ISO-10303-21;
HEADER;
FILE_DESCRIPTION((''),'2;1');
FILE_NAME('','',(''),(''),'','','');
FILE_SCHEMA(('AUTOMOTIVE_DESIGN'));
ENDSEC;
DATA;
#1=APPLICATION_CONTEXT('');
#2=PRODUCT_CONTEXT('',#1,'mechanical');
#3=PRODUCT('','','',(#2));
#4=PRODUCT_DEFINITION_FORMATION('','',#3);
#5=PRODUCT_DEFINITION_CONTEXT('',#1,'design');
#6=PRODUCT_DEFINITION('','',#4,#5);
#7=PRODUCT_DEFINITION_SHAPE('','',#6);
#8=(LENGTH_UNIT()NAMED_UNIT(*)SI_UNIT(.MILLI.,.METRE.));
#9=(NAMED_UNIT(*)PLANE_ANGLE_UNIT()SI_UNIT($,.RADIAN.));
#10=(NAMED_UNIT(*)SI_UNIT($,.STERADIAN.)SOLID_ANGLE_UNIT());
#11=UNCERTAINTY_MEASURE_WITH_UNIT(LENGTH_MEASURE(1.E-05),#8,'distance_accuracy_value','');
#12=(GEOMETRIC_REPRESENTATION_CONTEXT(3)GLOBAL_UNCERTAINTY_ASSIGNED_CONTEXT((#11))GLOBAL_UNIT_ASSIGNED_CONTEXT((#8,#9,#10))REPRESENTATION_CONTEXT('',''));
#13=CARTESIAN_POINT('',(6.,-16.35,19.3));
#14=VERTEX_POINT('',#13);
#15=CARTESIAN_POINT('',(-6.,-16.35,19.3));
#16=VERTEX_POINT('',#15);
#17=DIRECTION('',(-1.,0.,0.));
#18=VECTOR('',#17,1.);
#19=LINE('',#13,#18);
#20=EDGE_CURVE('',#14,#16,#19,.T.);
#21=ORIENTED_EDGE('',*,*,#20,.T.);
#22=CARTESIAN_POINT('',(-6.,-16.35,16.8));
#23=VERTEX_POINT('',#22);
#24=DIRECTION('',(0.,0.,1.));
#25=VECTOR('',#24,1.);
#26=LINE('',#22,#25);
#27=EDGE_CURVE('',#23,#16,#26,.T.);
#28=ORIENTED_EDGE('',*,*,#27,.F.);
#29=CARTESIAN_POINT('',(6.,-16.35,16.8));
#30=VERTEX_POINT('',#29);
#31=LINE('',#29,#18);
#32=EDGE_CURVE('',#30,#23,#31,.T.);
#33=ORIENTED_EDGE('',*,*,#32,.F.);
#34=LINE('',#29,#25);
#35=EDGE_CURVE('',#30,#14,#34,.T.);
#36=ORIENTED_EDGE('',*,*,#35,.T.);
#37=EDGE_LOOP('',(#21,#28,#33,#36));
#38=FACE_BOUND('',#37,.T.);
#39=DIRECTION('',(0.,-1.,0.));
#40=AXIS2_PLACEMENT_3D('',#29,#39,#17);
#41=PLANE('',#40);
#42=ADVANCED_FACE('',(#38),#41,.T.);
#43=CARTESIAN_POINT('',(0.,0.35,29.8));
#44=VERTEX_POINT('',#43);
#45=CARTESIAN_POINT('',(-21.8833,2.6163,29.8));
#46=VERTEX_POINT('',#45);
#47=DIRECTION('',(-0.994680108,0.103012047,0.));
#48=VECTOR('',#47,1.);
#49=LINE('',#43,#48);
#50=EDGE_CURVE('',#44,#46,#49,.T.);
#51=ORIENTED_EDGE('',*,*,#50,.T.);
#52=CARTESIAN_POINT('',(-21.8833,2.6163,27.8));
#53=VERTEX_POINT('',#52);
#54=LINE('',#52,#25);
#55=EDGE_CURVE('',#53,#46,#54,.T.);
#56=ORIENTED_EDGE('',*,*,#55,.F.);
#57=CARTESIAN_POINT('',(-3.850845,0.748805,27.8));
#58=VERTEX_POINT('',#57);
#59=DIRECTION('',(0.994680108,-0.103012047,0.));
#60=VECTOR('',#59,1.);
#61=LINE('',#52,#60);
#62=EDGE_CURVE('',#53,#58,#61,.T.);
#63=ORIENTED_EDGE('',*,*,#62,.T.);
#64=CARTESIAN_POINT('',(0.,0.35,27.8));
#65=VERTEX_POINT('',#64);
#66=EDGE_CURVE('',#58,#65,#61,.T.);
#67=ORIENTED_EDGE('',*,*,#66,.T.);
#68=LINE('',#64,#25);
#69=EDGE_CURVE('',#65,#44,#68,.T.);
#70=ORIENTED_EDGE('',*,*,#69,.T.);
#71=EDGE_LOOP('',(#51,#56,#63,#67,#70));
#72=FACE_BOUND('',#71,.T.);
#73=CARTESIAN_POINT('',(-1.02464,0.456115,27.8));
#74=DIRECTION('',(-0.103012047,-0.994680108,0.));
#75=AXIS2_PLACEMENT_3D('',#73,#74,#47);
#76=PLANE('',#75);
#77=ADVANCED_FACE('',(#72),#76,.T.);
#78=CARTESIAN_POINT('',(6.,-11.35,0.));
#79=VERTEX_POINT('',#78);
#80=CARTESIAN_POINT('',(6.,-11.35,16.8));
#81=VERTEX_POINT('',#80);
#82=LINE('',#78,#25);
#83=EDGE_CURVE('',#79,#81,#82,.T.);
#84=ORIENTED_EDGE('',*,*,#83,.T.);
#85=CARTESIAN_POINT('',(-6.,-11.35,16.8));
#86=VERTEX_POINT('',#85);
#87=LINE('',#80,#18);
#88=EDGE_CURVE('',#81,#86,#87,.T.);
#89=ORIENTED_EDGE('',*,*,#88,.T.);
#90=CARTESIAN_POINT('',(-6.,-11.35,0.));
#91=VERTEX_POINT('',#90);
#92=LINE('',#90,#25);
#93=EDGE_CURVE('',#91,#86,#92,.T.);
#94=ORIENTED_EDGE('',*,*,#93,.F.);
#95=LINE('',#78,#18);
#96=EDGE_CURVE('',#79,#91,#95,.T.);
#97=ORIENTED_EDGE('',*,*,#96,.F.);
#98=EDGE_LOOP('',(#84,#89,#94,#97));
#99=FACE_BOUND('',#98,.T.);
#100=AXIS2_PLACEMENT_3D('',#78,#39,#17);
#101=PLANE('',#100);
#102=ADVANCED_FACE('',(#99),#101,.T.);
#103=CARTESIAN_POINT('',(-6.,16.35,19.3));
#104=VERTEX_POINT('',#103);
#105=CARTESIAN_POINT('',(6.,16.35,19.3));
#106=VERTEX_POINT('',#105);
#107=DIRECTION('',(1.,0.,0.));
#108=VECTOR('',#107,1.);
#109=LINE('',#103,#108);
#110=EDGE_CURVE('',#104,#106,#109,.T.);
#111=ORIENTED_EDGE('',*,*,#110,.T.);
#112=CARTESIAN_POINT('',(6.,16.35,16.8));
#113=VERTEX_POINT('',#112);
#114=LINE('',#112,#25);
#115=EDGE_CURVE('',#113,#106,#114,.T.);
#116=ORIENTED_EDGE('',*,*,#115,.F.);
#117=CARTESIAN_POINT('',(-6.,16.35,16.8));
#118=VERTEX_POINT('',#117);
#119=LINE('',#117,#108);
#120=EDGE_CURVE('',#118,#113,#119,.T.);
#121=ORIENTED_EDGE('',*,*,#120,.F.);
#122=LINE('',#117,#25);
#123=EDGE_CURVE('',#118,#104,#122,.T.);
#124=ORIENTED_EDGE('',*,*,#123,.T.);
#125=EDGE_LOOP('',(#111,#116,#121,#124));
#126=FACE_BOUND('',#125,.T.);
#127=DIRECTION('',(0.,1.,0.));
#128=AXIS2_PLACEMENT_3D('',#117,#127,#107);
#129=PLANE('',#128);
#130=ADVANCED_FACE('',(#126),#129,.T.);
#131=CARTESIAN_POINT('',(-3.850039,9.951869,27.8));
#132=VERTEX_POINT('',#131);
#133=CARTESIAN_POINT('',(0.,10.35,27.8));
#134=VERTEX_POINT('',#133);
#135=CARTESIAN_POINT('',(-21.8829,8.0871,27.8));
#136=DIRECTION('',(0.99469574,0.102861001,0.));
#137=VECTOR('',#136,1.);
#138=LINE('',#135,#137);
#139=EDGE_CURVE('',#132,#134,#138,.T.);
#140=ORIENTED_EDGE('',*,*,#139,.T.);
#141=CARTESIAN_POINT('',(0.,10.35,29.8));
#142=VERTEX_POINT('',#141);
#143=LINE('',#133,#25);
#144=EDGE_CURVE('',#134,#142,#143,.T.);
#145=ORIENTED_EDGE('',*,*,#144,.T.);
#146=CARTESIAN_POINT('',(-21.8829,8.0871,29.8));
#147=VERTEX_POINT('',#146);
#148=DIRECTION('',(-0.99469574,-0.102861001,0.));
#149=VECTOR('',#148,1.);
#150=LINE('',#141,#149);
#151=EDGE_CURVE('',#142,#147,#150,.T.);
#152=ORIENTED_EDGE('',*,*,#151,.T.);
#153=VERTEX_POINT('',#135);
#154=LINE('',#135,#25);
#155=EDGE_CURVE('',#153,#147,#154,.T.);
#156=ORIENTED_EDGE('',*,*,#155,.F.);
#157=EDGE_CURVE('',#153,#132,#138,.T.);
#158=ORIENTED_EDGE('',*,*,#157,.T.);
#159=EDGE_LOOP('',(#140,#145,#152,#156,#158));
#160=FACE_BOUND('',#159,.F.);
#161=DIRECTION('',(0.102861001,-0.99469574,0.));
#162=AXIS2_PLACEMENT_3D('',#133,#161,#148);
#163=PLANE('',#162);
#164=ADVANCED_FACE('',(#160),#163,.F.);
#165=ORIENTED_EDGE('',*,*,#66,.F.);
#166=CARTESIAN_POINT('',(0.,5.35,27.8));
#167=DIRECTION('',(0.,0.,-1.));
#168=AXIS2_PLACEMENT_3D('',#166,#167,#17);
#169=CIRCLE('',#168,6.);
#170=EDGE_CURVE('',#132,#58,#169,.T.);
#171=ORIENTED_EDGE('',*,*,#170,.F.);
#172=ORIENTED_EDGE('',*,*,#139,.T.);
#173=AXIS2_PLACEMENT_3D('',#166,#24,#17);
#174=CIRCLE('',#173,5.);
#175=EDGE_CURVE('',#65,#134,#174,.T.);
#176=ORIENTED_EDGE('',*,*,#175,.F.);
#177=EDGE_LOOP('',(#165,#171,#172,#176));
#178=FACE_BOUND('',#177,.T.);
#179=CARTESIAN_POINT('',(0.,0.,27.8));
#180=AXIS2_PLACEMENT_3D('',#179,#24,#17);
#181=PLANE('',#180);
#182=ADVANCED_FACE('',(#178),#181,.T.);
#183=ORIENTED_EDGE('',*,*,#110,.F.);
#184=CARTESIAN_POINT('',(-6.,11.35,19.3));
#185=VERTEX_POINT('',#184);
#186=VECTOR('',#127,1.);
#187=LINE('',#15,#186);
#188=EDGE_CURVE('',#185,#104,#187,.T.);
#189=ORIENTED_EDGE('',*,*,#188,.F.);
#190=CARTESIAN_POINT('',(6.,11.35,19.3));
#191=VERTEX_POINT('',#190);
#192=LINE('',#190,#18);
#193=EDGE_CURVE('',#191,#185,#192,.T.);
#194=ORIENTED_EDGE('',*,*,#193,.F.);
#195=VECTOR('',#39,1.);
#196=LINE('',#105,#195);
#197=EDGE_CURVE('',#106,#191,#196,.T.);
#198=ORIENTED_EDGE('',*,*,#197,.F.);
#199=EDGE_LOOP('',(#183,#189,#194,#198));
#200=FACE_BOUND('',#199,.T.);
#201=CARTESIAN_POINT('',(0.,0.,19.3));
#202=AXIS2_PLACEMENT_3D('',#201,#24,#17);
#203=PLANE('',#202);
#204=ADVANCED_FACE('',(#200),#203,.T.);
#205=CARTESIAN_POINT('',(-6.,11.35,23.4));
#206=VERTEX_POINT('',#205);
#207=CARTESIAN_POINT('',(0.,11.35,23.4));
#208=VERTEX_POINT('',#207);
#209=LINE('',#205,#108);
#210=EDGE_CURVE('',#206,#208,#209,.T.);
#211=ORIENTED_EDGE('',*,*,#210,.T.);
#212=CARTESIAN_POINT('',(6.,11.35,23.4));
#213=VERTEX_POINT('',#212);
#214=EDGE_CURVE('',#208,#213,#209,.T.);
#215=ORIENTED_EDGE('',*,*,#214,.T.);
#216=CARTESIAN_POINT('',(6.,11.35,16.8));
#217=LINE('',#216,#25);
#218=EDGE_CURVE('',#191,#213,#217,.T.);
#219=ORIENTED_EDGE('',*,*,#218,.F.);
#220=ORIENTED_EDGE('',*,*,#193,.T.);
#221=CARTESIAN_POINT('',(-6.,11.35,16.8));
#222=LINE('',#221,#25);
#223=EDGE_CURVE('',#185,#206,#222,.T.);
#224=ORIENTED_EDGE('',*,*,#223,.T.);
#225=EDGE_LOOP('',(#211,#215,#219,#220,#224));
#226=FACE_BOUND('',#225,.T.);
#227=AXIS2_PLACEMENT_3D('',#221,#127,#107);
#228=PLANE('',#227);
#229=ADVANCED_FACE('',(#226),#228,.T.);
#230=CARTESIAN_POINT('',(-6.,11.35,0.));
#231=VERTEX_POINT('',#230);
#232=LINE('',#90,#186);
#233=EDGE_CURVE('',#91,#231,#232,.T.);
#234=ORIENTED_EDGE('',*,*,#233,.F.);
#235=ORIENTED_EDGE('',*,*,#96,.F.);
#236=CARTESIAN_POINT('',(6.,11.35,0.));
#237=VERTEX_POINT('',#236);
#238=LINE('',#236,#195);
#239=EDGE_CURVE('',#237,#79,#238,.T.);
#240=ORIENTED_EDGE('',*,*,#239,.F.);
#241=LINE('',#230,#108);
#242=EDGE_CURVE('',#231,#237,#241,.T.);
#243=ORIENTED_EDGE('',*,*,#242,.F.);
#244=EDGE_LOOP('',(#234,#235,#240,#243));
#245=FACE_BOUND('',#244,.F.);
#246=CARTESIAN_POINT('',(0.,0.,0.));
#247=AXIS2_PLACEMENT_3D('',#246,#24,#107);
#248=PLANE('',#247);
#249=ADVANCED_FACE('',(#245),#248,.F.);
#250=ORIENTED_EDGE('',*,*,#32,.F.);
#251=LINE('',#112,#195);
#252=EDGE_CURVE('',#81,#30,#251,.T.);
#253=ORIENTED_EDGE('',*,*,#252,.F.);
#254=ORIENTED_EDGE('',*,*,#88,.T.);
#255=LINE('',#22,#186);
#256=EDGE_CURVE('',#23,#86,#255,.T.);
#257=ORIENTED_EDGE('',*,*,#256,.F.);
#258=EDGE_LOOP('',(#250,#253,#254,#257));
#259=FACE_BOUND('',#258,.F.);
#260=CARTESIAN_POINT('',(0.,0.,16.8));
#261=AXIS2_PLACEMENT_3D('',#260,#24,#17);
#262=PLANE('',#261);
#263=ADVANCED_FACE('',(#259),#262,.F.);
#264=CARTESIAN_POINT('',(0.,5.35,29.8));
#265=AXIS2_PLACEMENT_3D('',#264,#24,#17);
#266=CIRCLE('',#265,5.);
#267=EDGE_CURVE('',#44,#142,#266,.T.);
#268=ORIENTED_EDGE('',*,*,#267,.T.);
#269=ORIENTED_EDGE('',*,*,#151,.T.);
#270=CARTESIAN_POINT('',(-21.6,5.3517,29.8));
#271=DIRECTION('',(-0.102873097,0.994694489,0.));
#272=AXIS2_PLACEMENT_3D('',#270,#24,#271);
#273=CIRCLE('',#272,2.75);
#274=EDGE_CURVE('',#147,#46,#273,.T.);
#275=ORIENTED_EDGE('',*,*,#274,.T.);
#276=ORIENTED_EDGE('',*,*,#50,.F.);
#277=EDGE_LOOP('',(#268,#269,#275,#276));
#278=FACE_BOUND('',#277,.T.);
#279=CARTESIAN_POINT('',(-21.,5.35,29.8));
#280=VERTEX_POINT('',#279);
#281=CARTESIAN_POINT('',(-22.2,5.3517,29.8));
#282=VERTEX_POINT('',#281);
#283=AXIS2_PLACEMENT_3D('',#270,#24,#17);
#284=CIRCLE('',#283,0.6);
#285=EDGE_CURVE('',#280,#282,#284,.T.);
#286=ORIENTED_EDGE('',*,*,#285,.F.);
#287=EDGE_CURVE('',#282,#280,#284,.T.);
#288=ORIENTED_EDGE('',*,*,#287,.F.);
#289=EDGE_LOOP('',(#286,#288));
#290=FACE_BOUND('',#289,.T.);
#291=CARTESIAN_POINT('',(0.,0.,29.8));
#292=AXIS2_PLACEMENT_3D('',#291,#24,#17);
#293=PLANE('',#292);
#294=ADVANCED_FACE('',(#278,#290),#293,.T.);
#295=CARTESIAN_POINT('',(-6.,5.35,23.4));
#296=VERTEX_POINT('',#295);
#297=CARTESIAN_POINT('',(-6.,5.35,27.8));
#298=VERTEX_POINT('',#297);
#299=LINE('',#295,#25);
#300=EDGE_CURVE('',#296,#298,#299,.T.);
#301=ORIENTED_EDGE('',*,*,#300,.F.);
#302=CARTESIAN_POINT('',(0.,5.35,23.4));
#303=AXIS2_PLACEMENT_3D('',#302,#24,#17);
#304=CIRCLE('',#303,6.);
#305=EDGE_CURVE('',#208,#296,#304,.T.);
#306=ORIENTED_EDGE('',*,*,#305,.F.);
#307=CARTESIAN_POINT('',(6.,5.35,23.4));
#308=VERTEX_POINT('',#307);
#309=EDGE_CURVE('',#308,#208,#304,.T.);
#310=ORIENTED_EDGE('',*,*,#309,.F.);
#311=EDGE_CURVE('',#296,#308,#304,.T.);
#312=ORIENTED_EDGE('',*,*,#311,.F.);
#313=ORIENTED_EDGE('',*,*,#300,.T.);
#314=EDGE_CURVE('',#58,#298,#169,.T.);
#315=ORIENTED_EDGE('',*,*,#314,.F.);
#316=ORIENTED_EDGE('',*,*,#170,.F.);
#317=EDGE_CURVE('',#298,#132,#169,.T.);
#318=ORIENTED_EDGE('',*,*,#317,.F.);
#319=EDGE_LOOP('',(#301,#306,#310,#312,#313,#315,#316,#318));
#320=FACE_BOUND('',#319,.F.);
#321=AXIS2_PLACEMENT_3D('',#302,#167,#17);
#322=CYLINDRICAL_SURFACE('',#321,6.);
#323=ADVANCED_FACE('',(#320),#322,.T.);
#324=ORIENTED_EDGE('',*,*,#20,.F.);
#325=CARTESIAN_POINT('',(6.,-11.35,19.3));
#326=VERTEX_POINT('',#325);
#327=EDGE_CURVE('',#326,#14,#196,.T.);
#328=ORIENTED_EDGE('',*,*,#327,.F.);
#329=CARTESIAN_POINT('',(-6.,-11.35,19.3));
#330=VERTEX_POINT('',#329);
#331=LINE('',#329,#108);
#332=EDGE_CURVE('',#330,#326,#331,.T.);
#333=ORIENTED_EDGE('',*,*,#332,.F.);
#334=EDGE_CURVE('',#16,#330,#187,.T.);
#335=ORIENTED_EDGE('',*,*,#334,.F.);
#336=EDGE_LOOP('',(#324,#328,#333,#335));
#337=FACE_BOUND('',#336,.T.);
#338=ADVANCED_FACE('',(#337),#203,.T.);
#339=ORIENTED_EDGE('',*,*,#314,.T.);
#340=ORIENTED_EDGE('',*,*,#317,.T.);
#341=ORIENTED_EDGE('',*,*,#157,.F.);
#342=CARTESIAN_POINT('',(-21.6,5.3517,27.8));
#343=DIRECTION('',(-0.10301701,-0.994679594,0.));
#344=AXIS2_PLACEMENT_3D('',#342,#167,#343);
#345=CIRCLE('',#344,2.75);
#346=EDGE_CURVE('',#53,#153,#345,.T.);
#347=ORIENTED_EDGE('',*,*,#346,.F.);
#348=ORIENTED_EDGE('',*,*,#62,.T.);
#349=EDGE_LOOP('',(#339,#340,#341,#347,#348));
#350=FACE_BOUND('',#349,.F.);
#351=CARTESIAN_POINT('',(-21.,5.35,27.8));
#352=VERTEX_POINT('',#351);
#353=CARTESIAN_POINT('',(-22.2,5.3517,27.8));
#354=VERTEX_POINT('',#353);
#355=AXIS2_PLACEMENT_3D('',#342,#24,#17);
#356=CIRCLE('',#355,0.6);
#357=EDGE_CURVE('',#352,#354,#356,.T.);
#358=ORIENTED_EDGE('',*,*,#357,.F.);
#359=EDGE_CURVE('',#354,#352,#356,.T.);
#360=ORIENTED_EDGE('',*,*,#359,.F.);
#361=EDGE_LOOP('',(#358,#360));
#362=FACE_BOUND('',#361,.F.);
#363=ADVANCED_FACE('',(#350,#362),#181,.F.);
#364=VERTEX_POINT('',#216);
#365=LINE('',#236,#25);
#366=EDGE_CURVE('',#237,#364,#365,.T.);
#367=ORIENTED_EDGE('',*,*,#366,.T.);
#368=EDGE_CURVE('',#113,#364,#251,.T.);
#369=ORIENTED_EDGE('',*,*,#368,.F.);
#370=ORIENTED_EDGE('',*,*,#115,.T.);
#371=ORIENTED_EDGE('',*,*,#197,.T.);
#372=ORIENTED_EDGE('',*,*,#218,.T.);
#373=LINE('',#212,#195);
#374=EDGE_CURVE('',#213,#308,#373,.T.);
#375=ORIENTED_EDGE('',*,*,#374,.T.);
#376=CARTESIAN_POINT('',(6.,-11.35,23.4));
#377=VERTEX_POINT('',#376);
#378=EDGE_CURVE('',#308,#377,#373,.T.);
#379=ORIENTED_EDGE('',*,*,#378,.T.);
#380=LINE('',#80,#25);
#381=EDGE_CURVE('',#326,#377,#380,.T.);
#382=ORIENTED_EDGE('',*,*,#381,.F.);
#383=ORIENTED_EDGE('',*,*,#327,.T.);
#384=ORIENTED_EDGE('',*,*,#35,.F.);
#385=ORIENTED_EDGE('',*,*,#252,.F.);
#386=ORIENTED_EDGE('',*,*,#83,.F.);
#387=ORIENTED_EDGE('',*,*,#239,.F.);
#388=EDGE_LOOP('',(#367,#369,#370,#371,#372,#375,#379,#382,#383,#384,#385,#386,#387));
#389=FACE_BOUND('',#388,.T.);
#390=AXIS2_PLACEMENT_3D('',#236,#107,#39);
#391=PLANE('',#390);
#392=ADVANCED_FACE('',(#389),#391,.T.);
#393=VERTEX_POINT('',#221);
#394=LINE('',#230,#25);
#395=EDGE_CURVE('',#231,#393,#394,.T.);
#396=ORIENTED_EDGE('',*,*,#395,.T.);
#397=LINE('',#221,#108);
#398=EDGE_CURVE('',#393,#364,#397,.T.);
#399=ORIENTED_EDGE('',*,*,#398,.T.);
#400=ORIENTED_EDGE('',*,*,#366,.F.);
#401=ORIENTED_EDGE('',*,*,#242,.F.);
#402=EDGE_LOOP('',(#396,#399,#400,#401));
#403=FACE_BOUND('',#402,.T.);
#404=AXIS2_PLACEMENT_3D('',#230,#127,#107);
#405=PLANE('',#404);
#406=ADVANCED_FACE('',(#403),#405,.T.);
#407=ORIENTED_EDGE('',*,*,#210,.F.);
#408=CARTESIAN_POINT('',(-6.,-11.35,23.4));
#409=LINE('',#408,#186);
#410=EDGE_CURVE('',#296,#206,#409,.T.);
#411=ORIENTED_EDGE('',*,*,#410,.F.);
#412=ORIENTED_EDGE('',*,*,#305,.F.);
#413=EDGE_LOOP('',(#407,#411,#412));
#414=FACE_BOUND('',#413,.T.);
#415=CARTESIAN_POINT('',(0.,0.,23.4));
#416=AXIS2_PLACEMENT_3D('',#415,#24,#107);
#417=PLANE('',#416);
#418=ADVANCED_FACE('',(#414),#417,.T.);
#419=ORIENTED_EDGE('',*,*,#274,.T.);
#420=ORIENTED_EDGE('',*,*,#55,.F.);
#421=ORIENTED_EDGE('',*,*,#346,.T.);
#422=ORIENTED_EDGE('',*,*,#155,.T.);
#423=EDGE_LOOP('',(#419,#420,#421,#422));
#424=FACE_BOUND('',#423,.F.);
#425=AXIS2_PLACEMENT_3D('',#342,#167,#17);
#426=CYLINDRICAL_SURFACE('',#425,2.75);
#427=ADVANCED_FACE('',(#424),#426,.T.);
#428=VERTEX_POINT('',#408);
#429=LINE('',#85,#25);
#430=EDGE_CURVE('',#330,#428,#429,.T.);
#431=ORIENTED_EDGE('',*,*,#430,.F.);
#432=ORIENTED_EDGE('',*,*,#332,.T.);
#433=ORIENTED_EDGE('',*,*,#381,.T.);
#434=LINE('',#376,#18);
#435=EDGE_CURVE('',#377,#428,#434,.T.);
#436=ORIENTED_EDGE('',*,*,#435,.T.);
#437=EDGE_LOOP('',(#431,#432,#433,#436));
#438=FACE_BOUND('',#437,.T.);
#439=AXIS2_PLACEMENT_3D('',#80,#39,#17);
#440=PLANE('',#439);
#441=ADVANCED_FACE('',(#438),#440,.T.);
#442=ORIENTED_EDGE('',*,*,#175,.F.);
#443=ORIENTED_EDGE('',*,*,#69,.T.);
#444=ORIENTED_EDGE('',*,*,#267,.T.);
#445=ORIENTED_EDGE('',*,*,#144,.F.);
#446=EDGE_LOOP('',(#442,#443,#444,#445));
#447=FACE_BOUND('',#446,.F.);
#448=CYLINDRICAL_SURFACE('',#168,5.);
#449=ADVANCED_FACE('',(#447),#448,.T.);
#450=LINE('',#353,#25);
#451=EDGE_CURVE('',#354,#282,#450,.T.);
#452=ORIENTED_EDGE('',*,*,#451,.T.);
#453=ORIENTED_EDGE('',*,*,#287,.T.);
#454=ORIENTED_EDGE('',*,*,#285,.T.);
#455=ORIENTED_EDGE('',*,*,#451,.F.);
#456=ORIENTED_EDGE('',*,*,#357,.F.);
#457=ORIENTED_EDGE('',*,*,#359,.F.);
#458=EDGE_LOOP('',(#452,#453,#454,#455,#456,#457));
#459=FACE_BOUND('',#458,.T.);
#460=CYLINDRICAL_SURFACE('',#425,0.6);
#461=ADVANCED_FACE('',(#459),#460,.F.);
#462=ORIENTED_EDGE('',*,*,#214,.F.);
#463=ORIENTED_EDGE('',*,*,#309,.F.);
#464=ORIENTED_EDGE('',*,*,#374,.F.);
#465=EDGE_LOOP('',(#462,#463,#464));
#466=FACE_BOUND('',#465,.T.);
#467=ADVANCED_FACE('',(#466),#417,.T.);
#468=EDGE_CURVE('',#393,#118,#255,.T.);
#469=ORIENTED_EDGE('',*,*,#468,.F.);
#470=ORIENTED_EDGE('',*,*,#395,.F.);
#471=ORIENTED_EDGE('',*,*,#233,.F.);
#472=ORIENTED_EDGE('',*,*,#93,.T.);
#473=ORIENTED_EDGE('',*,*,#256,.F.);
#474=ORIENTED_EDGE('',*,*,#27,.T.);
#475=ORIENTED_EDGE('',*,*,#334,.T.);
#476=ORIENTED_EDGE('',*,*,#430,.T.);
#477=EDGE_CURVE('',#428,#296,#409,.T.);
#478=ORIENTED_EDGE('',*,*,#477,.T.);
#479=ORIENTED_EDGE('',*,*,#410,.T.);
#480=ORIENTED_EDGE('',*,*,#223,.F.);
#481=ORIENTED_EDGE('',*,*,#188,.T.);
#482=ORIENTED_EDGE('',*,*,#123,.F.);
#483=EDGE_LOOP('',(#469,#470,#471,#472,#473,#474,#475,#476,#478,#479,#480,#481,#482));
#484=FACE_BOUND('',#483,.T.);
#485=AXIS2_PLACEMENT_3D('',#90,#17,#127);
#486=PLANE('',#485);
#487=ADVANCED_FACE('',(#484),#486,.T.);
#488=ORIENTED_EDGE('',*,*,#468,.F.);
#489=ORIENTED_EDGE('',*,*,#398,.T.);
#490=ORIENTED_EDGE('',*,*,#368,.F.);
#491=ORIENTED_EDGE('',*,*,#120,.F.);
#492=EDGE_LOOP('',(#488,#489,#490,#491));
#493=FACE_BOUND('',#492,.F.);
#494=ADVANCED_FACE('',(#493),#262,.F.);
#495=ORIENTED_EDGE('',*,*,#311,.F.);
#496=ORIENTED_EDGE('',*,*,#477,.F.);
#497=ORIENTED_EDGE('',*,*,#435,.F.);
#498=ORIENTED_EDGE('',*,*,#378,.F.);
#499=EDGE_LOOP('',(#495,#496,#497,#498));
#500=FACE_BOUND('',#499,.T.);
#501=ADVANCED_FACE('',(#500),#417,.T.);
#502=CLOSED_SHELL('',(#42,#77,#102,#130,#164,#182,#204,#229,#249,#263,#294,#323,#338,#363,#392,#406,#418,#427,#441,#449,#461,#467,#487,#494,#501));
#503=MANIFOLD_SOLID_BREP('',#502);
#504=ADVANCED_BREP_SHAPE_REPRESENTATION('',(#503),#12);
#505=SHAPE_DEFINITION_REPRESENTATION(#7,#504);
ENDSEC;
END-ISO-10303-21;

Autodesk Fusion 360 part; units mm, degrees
sketch "Sketch1" plane through (0, 0, 0) normal (0, 0, 1) x (1, 0, 0)
  line L0 (6, -11.35) -> (-6, -11.35)
  line L1 (-6, -11.35) -> (-6, 11.35)
  line L2 (-6, 11.35) -> (6, 11.35)
  line L3 (6, 11.35) -> (6, -11.35)
  line L4 (6, -11.35) -> (-6, 11.35) construction
  line L5 (-6, -11.35) -> (6, 11.35) construction
  dimension "d1" = 12
  dimension "d2" = 22.7
extrude "Extrude1" add sketch "Sketch1" along normal blind 16.8 makes body 1
sketch "Sketch2" plane through (0, 0, 16.8) normal (0, 0, 1) x (-1, 0, 0)
  line L0 (-6, -11.35) -> (6, -11.35)
  line L1 (6, -11.35) -> (6, 11.35)
  line L2 (6, 11.35) -> (-6, 11.35)
  line L3 (-6, 11.35) -> (-6, -11.35)
  line L4 (-6, 16.35) -> (6, 16.35)
  line L5 (6, 16.35) -> (6, -16.35)
  line L6 (6, -16.35) -> (-6, -16.35)
  line L7 (-6, -16.35) -> (-6, 16.35)
  line L8 (-6, 16.35) -> (6, -16.35) construction
  line L9 (6, 16.35) -> (-6, -16.35) construction
  dimension "d5" = 12
  dimension "d6" = 32.7
extrude "Extrude2" add sketch "Sketch2" along normal blind 2.5 separate body contours L0 L5 L6 L7 | L2 L4 L5 L7 makes body 2 at (2, -14.6833, 16.8) makes body 3 at (2, 13.0167, 16.8)
extrude "Extrude3" add 1 faces at (2, -3.7833, 16.8) along direction (0, 0, 1) blind 6.6 on bodies 1 bodies 1 2 3
sketch "Sketch3" plane through (0, 0, 23.4) normal (0, 0, 1) x (-1, 0, 0)
  line L0 (-6, -11.35) -> (6, -11.35)
  line L1 (6, -11.35) -> (6, 11.35)
  line L2 (6, 11.35) -> (-6, 11.35)
  line L3 (-6, 11.35) -> (-6, -11.35)
  circle A0 centre (0, -11.35) radius 6
  circle A1 centre (0, -5.35) radius 6
extrude "Extrude4" add sketch "Sketch3" along normal blind 4.4 contours A0 A1 | A0 A1 bodies 1
sketch "Sketch4" plane through (0, 0, 27.8) normal (0, 0, 1) x (-1, 0, 0)
  circle A0 centre (0, -5.35) radius 6
  circle A1 centre (0, -5.35) radius 5
  line L0 (5, -5.35) -> (21, -5.35)
  circle A2 centre (21.6, -5.3517) radius 0.6
  circle A3 centre (21.6, -5.3517) radius 2.75
  line L1 (0, -10.35) -> (21.8829, -8.0871)
  line L2 (0, -0.35) -> (21.8833, -2.6163)
  dimension "d13" = 10
  dimension "d14" = 16
  dimension "d15" = 1.2
  dimension "d16" = 5.5
extrude "Extrude5" add sketch "Sketch4" along normal blind 2 contours A0 A1 L0 L2 | A0 L0 A3 L1 | A0 A1 L0 L1 | A0 L0 A3 L2 | A1 L1 L2 | A3 bodies 1
